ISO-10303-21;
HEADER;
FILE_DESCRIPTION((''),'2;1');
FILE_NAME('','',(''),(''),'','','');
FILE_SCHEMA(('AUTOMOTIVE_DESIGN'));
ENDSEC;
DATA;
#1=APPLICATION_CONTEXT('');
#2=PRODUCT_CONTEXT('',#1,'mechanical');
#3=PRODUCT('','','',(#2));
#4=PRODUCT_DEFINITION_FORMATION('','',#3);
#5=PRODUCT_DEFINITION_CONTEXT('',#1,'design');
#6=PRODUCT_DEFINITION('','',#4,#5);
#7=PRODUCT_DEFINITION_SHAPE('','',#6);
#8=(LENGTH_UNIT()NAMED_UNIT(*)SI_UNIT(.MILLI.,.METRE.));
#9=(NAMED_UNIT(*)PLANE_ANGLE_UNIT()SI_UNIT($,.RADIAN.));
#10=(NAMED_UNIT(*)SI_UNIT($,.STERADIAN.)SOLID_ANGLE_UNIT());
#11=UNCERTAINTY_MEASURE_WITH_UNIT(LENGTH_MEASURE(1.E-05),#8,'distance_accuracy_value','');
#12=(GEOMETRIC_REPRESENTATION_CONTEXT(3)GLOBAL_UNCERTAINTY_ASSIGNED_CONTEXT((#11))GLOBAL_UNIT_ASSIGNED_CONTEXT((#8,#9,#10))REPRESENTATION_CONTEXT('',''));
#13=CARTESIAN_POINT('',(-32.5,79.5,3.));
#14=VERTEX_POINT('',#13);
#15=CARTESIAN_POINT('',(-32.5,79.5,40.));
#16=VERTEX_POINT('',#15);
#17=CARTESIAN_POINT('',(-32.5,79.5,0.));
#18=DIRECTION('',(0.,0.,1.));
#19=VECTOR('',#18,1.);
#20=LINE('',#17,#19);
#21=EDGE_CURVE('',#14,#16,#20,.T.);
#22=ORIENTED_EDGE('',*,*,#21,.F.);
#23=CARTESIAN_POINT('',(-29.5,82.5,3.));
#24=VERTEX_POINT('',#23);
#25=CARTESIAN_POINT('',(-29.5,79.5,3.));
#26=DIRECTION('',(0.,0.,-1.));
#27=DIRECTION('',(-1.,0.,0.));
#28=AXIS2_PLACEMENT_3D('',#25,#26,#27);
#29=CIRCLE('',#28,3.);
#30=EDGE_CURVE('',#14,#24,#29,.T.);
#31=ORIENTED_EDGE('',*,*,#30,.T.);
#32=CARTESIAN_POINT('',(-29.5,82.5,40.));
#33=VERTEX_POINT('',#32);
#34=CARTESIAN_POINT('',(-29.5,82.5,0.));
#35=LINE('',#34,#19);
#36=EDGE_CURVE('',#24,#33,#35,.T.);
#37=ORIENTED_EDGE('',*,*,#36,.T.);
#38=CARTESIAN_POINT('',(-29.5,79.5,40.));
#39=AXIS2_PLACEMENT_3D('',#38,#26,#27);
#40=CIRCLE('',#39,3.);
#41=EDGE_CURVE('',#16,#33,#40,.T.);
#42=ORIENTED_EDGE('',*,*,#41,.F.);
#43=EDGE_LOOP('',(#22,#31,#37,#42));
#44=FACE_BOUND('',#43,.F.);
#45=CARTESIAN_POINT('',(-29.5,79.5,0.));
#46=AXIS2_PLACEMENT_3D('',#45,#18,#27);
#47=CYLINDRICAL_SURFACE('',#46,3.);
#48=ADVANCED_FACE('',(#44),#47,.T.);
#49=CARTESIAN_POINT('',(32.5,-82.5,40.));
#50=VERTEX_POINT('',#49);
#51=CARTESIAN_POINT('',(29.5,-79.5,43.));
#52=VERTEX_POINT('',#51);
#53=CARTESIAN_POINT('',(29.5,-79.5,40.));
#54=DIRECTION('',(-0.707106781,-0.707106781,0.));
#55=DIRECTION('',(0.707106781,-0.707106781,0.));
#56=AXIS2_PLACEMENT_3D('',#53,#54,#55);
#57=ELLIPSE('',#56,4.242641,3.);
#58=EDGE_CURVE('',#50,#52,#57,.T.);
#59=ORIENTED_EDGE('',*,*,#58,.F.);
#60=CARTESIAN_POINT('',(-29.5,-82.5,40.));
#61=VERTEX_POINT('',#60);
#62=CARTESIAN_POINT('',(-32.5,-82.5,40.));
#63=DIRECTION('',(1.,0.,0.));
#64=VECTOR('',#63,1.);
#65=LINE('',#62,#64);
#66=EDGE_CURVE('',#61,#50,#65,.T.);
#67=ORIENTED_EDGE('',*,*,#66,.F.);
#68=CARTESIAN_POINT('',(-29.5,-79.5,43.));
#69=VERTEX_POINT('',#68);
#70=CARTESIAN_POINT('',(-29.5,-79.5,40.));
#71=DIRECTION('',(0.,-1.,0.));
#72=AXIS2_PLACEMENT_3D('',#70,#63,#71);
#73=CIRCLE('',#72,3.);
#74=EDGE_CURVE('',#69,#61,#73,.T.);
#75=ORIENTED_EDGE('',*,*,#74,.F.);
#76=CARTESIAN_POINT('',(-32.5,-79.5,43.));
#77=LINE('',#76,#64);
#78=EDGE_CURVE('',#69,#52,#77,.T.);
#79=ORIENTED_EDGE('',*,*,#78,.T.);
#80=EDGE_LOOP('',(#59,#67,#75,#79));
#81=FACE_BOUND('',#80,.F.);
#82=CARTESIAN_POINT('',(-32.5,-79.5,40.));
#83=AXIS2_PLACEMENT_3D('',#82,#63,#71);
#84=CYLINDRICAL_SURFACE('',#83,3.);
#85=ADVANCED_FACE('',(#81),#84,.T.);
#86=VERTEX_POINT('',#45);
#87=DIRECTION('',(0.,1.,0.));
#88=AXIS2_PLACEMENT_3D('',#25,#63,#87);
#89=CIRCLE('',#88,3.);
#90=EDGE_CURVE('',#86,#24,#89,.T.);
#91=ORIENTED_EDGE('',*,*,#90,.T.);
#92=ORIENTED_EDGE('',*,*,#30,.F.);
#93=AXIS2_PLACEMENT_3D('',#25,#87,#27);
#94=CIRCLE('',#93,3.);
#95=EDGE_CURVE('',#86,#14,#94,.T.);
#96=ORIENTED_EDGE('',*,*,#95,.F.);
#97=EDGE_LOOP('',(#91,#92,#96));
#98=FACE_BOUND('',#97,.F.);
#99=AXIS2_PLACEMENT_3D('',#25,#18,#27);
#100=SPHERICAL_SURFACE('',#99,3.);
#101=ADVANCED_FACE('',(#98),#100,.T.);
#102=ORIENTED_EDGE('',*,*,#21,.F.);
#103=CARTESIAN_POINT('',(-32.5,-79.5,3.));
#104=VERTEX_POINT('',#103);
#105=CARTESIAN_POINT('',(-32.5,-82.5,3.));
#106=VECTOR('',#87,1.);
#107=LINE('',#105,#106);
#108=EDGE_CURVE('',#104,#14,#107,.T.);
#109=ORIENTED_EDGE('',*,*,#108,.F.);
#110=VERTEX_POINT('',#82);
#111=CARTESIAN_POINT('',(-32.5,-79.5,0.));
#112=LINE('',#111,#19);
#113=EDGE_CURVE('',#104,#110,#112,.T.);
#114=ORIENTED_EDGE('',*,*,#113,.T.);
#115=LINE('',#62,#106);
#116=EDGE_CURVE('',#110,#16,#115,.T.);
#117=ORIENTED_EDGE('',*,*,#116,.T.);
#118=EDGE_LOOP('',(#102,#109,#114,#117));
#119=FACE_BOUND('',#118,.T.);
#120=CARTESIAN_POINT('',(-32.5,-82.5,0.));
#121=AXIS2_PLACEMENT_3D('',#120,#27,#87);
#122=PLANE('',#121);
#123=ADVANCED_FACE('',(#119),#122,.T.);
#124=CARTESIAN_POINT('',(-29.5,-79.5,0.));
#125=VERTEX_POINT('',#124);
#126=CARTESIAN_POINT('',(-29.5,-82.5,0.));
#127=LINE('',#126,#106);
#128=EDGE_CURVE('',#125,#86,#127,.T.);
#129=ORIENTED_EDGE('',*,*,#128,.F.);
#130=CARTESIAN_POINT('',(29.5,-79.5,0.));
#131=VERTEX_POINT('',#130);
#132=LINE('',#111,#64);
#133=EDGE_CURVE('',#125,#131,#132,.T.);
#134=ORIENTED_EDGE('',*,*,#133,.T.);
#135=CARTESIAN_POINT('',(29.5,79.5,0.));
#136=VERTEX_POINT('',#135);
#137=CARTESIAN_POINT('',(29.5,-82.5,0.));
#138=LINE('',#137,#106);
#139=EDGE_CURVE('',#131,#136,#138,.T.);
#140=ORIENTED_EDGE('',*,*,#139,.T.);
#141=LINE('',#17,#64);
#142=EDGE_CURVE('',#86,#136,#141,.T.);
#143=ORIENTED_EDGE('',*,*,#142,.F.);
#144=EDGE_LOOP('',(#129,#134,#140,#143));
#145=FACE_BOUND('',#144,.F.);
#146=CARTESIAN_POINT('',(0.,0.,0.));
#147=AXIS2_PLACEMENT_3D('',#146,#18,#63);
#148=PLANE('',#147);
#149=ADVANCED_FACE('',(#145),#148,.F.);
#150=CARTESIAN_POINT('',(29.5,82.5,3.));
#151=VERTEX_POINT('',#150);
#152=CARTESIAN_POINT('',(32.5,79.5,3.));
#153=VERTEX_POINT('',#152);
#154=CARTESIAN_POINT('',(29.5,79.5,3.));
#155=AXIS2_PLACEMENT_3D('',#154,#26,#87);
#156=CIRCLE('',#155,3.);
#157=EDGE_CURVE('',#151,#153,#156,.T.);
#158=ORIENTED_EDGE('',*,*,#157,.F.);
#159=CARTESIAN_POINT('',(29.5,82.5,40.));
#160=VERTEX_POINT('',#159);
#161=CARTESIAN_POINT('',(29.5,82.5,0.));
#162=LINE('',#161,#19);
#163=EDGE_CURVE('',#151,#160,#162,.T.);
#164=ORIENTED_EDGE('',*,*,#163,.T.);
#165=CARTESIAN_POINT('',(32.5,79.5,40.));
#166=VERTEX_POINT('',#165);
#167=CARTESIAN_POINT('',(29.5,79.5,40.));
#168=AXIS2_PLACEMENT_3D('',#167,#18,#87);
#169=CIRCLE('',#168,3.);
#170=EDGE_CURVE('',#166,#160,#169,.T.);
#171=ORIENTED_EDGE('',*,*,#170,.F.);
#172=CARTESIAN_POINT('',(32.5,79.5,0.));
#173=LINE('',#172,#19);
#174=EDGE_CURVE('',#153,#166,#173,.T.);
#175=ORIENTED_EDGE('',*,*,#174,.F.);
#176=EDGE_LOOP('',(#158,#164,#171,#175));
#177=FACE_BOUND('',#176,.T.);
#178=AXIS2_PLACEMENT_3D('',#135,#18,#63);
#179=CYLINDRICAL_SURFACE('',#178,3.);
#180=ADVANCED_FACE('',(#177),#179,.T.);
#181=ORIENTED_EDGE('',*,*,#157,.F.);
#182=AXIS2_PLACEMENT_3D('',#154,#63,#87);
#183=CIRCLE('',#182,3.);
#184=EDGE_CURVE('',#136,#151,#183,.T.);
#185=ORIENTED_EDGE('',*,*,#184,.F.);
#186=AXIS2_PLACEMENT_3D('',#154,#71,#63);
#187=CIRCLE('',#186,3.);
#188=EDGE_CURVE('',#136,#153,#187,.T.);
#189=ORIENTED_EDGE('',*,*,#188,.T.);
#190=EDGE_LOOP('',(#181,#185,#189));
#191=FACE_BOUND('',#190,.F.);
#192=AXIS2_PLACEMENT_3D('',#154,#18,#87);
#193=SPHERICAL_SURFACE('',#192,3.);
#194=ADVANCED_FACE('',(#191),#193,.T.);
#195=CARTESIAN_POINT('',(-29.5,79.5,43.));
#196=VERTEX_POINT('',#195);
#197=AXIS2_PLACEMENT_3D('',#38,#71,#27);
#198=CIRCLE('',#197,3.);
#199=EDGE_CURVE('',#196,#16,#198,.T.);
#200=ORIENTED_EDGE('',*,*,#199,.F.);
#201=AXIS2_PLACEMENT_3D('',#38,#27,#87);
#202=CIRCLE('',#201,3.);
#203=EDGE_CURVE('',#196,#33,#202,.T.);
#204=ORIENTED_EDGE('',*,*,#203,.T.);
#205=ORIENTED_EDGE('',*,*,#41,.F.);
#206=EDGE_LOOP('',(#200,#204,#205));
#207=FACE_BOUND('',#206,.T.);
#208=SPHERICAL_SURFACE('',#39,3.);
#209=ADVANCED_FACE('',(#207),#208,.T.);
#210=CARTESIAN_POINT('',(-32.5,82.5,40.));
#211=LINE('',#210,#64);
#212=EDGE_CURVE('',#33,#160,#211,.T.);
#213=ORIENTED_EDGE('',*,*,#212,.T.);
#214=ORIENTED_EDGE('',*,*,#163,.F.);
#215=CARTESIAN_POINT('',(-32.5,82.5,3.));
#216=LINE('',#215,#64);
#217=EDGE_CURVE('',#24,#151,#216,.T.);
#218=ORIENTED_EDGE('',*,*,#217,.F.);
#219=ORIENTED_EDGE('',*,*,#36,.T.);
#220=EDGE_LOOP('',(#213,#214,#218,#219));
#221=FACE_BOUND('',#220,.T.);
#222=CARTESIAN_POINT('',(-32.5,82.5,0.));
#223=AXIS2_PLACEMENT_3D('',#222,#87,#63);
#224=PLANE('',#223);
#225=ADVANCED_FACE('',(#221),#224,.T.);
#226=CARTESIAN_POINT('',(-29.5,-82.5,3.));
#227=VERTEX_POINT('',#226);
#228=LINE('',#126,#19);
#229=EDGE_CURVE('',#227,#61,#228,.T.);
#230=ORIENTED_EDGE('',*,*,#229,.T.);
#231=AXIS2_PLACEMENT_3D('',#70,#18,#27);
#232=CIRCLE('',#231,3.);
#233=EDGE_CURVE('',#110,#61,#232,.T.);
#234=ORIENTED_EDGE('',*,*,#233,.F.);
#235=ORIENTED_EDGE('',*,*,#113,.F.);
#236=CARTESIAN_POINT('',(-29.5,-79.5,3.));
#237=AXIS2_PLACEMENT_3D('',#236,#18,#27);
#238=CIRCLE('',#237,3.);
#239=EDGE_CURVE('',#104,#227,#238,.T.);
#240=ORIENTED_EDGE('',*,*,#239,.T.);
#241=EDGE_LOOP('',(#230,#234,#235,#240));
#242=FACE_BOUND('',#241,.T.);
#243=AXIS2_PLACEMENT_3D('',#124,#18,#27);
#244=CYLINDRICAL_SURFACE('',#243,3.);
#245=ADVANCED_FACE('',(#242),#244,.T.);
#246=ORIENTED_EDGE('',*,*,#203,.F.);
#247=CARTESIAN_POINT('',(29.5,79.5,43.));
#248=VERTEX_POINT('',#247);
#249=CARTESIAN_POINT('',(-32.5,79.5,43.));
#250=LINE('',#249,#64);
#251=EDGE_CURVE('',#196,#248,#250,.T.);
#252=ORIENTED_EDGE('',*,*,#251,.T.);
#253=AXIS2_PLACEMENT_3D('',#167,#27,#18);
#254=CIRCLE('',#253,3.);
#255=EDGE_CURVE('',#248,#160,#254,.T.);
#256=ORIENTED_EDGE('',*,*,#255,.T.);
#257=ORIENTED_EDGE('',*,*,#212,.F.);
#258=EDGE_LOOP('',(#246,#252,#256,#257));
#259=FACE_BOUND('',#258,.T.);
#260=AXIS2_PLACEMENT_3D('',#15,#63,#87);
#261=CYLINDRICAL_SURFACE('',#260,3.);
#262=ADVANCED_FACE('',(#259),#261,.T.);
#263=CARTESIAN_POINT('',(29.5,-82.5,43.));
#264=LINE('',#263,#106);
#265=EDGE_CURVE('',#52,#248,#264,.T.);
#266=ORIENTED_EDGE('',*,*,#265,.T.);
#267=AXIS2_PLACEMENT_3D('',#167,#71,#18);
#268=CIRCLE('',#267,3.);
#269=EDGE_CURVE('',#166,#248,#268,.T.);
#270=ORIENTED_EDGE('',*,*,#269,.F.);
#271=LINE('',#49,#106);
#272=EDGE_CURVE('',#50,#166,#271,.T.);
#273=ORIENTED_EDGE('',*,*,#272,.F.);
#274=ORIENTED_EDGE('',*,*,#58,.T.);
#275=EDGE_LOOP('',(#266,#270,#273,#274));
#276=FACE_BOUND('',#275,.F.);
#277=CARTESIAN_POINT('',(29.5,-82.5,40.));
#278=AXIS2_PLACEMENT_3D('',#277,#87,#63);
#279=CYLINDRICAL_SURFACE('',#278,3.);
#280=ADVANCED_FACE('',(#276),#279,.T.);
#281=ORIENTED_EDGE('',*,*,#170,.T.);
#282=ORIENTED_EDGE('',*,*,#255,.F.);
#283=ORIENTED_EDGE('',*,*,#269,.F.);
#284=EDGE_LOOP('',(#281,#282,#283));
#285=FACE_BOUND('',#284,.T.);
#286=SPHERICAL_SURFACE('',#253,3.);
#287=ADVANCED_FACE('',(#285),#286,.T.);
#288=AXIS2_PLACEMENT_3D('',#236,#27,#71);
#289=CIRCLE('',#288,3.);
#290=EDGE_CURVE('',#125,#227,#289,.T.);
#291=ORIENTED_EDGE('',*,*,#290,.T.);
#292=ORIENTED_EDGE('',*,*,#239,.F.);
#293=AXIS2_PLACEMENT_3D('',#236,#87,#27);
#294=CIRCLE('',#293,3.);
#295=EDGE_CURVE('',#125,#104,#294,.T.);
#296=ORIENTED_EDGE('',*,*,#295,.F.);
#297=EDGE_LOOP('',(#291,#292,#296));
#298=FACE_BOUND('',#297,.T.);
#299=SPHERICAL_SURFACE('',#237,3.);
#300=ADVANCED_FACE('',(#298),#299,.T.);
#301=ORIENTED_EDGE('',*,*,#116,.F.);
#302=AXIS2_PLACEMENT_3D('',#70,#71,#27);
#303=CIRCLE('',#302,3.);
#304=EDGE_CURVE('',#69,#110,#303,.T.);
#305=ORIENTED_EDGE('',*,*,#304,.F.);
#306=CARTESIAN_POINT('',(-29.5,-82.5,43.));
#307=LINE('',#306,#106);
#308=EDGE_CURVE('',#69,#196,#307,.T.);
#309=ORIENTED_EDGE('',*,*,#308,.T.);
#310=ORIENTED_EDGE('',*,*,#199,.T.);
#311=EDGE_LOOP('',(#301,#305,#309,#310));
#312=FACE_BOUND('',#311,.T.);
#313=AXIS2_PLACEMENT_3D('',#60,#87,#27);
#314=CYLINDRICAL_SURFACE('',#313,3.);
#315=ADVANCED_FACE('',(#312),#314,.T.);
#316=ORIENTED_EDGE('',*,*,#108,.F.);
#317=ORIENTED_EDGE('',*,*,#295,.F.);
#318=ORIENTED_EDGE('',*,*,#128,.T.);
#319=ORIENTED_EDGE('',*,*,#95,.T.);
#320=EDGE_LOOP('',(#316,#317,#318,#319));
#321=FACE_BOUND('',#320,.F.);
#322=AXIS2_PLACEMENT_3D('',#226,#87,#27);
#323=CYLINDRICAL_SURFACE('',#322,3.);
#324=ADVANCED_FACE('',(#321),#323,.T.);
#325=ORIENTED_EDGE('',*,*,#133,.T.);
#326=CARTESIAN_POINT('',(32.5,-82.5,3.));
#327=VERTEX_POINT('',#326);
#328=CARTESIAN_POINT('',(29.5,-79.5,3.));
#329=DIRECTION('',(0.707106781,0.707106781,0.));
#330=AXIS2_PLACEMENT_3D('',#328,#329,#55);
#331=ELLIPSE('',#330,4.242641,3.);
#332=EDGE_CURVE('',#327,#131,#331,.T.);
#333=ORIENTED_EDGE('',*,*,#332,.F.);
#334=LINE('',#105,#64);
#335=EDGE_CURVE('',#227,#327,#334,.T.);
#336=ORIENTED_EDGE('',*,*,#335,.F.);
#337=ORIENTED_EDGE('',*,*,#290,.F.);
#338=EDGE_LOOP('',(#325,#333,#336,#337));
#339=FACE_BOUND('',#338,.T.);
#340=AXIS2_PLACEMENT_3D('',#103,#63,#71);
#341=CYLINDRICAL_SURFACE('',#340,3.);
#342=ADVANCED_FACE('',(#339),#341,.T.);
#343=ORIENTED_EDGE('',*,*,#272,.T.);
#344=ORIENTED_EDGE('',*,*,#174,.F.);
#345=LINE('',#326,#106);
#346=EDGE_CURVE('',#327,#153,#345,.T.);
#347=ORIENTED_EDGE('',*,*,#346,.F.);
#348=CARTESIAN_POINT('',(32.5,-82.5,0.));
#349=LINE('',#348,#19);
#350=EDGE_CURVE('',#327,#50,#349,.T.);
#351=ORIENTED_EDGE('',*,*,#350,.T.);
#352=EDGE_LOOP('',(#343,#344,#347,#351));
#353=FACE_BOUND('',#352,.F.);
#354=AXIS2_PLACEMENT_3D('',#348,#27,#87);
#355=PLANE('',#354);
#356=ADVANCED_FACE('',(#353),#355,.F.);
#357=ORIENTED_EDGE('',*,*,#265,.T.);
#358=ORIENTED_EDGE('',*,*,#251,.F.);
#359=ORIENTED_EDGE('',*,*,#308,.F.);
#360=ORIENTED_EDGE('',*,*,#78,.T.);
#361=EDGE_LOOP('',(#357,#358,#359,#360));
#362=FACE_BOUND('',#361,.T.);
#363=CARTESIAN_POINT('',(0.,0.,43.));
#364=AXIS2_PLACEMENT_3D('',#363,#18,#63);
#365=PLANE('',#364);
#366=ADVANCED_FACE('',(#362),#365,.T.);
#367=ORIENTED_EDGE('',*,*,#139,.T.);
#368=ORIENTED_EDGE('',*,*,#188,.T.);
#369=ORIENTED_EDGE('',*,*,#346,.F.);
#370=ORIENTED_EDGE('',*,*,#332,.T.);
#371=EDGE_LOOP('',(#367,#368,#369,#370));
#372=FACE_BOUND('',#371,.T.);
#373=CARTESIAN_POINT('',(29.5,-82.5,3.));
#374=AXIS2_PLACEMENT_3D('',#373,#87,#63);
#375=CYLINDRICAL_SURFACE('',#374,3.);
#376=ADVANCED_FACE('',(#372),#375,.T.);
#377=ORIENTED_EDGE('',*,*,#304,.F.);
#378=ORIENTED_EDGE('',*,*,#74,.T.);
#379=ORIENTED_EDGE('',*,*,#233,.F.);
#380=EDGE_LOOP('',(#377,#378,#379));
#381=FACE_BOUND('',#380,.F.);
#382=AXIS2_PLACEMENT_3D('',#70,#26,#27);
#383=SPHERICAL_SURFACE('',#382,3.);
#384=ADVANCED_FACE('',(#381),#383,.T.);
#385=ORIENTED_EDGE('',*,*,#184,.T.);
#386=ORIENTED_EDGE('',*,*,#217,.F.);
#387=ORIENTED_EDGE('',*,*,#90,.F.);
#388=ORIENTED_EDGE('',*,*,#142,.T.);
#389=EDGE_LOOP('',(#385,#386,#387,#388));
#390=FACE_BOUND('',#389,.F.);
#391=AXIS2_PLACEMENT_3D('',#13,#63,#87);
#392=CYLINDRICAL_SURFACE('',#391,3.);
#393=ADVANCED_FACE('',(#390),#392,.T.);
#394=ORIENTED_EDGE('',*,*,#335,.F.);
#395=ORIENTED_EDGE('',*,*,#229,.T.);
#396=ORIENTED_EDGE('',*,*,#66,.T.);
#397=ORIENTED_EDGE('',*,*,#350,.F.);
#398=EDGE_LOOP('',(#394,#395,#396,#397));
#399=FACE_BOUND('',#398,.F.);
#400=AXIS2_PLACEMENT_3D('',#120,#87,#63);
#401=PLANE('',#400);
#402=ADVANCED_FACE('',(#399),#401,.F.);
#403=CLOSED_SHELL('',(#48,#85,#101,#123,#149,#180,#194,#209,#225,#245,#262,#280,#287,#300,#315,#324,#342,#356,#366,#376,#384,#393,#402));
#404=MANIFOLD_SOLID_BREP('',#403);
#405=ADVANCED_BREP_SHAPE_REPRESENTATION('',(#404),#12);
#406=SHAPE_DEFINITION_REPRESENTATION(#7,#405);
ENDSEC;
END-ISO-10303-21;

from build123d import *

# Parameters (mm, degrees)
F0_W     = 65
F0_H     = 165
F1_DEPTH = 43
F2_R     = 3


with BuildPart() as f1:
    # F0 (on Top) → F1 (new body)
    with BuildSketch(Plane.XY):
        Rectangle(F0_W, F0_H)
    extrude(amount=F1_DEPTH)

    # F2
    f2_edges = [f1.edges().sort_by_distance(p)[0] for p in [
        (-32.5, 82.5, 21.5),
        (-32.5, -82.5, 21.5),
        (-32.5, 0, 0),
        (-32.5, 0, 43),
        (0, 82.5, 43),
        (0, -82.5, 43),
        (32.5, 0, 43),
        (32.5, 82.5, 21.5),
        (0, 82.5, 0),
        (0, -82.5, 0),
        (32.5, 0, 0),
    ]]
    fillet(f2_edges, radius=F2_R)


solid = f1.part
